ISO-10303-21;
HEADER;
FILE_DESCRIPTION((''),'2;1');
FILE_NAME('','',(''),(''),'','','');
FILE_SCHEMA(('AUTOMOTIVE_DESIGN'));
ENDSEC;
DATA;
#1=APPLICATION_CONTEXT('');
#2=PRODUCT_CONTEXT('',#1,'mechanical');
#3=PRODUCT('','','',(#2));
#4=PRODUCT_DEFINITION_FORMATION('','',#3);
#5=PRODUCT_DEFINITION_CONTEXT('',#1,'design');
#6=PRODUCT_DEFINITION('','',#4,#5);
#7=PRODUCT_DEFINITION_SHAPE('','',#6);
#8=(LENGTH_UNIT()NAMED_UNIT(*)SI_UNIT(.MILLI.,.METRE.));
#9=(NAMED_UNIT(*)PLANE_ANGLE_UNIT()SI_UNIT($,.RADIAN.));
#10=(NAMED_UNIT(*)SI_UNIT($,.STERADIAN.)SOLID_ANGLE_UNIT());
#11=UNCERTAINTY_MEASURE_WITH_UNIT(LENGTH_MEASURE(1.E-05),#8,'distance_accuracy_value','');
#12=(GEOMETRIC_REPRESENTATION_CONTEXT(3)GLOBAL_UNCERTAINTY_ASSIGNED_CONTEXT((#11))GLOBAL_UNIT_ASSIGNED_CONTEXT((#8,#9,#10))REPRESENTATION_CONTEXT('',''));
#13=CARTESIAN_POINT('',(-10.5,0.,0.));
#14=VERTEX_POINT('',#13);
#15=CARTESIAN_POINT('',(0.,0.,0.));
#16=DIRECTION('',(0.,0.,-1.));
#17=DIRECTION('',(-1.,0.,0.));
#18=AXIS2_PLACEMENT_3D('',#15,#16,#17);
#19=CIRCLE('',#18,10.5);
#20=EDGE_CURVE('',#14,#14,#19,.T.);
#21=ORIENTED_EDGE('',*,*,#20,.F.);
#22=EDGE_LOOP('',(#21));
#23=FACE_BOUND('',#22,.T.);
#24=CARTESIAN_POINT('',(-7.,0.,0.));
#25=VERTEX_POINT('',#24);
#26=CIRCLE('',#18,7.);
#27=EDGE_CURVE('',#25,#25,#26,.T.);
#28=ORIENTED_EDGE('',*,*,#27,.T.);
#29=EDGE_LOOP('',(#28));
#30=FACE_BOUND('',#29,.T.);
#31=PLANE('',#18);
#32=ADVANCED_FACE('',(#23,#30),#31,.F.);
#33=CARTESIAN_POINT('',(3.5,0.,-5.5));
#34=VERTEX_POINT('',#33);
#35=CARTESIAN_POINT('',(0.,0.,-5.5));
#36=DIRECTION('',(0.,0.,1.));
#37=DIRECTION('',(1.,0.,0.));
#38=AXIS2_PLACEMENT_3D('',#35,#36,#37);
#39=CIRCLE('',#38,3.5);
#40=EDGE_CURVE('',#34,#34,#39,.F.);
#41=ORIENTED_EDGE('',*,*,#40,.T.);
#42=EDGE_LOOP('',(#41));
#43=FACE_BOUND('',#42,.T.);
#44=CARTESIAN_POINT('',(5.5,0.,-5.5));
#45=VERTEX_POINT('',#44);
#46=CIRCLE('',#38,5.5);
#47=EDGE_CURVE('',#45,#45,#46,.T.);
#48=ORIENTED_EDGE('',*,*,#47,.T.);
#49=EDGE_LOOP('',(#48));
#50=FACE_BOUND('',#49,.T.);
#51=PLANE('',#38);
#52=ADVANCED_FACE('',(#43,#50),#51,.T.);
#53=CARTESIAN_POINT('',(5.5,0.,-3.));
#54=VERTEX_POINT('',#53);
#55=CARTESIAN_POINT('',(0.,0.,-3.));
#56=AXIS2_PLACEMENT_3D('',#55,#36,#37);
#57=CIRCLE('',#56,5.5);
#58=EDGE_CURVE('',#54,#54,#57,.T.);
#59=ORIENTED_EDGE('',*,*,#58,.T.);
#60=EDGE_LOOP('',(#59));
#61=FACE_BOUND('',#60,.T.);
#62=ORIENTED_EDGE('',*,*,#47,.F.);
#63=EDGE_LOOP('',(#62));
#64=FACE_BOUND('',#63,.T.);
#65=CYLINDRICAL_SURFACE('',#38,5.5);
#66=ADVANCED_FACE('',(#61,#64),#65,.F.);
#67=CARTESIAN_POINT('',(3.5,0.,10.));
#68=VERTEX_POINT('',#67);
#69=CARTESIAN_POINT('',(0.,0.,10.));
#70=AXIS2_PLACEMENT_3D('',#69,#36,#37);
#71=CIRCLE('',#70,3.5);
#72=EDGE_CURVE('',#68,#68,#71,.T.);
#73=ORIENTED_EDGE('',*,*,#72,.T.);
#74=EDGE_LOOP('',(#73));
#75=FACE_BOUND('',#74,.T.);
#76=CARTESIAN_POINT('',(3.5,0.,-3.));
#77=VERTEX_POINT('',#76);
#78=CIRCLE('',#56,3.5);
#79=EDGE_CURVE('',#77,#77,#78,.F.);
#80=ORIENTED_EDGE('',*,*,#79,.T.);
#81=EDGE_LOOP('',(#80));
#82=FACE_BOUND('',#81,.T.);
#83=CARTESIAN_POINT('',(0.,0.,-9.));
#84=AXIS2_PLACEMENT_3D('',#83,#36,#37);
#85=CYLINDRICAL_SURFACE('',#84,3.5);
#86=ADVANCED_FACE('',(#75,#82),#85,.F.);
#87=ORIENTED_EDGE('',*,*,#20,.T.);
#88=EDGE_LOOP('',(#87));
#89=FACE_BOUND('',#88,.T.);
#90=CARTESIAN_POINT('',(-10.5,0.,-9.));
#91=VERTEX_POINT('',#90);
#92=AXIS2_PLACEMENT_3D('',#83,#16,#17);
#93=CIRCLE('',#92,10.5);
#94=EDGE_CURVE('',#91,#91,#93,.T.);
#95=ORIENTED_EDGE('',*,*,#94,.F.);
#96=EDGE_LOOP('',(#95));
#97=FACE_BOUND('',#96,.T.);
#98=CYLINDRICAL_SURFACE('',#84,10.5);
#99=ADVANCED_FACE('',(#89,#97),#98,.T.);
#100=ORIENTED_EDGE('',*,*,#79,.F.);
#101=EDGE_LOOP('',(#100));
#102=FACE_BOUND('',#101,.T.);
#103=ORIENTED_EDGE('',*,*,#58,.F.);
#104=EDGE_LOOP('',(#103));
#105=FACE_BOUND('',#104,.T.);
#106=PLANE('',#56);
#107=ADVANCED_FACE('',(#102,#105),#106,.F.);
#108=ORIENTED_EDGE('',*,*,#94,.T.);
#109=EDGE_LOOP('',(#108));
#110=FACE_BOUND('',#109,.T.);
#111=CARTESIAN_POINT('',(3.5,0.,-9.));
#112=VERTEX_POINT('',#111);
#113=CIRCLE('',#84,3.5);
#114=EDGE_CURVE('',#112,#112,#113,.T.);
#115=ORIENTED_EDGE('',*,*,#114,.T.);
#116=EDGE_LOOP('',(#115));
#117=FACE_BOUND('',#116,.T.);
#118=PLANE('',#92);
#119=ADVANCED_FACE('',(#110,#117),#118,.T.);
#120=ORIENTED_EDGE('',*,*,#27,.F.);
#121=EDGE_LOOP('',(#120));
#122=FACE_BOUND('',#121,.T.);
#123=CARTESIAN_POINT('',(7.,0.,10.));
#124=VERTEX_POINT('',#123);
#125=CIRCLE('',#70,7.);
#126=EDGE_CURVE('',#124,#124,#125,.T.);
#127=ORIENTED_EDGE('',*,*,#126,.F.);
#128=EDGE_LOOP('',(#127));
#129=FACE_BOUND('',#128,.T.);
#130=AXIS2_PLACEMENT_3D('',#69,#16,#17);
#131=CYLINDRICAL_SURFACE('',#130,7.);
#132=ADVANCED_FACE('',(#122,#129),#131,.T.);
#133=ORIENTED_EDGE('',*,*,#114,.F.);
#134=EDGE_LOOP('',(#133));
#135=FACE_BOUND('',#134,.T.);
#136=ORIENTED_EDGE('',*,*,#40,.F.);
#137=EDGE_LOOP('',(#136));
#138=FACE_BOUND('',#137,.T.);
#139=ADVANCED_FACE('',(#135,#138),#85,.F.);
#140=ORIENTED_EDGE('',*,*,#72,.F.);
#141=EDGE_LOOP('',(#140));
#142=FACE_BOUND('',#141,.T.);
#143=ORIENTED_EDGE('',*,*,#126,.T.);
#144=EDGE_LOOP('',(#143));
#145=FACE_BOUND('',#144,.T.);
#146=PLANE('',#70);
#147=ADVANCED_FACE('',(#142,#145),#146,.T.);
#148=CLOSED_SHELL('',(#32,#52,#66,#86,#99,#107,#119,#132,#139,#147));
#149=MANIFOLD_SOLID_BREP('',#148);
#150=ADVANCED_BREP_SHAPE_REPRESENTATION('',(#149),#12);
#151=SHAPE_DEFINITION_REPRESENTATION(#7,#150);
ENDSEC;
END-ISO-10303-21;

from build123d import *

# Parameters (mm, degrees)
SKETCH_2_R          = 7
EXTRUDE_1_DEPTH     = 10
SKETCH_3_R          = 10.5
EXTRUDE_2_DEPTH     = 9
SKETCH_4_R          = 3.5
CUT_EXTRUDE_1_DEPTH = 25.114311104
CUT_EXTRUDE_START   = -13
SKETCH_5_R          = 5.5
CUT_EXTRUDE_2_DEPTH = 2.5


with BuildPart() as part:
    # Эскиз2 → Бобышка-Вытянуть1 (new body)
    with BuildSketch(Plane.XY):
        Circle(SKETCH_2_R)
    extrude(amount=EXTRUDE_1_DEPTH)

    # Эскиз3 → Бобышка-Вытянуть2 (add)
    with BuildSketch(Plane(origin=(0, 0, 0), x_dir=(-1, 0, 0), z_dir=(0, 0, -1))):
        Circle(SKETCH_3_R)
    extrude(amount=EXTRUDE_2_DEPTH)

    # Эскиз4 → Вырез-Вытянуть1 (cut, through all)
    with BuildSketch(Plane.XY.offset(10)):
        Circle(SKETCH_4_R)
    extrude(amount=-CUT_EXTRUDE_1_DEPTH, mode=Mode.SUBTRACT)

    # Эскиз5 → Вырез-Вытянуть2 (cut)
    with BuildSketch(Plane.XY.offset(10).offset(CUT_EXTRUDE_START)):
        Circle(SKETCH_5_R)
    extrude(amount=-CUT_EXTRUDE_2_DEPTH, mode=Mode.SUBTRACT)


solid = part.part
